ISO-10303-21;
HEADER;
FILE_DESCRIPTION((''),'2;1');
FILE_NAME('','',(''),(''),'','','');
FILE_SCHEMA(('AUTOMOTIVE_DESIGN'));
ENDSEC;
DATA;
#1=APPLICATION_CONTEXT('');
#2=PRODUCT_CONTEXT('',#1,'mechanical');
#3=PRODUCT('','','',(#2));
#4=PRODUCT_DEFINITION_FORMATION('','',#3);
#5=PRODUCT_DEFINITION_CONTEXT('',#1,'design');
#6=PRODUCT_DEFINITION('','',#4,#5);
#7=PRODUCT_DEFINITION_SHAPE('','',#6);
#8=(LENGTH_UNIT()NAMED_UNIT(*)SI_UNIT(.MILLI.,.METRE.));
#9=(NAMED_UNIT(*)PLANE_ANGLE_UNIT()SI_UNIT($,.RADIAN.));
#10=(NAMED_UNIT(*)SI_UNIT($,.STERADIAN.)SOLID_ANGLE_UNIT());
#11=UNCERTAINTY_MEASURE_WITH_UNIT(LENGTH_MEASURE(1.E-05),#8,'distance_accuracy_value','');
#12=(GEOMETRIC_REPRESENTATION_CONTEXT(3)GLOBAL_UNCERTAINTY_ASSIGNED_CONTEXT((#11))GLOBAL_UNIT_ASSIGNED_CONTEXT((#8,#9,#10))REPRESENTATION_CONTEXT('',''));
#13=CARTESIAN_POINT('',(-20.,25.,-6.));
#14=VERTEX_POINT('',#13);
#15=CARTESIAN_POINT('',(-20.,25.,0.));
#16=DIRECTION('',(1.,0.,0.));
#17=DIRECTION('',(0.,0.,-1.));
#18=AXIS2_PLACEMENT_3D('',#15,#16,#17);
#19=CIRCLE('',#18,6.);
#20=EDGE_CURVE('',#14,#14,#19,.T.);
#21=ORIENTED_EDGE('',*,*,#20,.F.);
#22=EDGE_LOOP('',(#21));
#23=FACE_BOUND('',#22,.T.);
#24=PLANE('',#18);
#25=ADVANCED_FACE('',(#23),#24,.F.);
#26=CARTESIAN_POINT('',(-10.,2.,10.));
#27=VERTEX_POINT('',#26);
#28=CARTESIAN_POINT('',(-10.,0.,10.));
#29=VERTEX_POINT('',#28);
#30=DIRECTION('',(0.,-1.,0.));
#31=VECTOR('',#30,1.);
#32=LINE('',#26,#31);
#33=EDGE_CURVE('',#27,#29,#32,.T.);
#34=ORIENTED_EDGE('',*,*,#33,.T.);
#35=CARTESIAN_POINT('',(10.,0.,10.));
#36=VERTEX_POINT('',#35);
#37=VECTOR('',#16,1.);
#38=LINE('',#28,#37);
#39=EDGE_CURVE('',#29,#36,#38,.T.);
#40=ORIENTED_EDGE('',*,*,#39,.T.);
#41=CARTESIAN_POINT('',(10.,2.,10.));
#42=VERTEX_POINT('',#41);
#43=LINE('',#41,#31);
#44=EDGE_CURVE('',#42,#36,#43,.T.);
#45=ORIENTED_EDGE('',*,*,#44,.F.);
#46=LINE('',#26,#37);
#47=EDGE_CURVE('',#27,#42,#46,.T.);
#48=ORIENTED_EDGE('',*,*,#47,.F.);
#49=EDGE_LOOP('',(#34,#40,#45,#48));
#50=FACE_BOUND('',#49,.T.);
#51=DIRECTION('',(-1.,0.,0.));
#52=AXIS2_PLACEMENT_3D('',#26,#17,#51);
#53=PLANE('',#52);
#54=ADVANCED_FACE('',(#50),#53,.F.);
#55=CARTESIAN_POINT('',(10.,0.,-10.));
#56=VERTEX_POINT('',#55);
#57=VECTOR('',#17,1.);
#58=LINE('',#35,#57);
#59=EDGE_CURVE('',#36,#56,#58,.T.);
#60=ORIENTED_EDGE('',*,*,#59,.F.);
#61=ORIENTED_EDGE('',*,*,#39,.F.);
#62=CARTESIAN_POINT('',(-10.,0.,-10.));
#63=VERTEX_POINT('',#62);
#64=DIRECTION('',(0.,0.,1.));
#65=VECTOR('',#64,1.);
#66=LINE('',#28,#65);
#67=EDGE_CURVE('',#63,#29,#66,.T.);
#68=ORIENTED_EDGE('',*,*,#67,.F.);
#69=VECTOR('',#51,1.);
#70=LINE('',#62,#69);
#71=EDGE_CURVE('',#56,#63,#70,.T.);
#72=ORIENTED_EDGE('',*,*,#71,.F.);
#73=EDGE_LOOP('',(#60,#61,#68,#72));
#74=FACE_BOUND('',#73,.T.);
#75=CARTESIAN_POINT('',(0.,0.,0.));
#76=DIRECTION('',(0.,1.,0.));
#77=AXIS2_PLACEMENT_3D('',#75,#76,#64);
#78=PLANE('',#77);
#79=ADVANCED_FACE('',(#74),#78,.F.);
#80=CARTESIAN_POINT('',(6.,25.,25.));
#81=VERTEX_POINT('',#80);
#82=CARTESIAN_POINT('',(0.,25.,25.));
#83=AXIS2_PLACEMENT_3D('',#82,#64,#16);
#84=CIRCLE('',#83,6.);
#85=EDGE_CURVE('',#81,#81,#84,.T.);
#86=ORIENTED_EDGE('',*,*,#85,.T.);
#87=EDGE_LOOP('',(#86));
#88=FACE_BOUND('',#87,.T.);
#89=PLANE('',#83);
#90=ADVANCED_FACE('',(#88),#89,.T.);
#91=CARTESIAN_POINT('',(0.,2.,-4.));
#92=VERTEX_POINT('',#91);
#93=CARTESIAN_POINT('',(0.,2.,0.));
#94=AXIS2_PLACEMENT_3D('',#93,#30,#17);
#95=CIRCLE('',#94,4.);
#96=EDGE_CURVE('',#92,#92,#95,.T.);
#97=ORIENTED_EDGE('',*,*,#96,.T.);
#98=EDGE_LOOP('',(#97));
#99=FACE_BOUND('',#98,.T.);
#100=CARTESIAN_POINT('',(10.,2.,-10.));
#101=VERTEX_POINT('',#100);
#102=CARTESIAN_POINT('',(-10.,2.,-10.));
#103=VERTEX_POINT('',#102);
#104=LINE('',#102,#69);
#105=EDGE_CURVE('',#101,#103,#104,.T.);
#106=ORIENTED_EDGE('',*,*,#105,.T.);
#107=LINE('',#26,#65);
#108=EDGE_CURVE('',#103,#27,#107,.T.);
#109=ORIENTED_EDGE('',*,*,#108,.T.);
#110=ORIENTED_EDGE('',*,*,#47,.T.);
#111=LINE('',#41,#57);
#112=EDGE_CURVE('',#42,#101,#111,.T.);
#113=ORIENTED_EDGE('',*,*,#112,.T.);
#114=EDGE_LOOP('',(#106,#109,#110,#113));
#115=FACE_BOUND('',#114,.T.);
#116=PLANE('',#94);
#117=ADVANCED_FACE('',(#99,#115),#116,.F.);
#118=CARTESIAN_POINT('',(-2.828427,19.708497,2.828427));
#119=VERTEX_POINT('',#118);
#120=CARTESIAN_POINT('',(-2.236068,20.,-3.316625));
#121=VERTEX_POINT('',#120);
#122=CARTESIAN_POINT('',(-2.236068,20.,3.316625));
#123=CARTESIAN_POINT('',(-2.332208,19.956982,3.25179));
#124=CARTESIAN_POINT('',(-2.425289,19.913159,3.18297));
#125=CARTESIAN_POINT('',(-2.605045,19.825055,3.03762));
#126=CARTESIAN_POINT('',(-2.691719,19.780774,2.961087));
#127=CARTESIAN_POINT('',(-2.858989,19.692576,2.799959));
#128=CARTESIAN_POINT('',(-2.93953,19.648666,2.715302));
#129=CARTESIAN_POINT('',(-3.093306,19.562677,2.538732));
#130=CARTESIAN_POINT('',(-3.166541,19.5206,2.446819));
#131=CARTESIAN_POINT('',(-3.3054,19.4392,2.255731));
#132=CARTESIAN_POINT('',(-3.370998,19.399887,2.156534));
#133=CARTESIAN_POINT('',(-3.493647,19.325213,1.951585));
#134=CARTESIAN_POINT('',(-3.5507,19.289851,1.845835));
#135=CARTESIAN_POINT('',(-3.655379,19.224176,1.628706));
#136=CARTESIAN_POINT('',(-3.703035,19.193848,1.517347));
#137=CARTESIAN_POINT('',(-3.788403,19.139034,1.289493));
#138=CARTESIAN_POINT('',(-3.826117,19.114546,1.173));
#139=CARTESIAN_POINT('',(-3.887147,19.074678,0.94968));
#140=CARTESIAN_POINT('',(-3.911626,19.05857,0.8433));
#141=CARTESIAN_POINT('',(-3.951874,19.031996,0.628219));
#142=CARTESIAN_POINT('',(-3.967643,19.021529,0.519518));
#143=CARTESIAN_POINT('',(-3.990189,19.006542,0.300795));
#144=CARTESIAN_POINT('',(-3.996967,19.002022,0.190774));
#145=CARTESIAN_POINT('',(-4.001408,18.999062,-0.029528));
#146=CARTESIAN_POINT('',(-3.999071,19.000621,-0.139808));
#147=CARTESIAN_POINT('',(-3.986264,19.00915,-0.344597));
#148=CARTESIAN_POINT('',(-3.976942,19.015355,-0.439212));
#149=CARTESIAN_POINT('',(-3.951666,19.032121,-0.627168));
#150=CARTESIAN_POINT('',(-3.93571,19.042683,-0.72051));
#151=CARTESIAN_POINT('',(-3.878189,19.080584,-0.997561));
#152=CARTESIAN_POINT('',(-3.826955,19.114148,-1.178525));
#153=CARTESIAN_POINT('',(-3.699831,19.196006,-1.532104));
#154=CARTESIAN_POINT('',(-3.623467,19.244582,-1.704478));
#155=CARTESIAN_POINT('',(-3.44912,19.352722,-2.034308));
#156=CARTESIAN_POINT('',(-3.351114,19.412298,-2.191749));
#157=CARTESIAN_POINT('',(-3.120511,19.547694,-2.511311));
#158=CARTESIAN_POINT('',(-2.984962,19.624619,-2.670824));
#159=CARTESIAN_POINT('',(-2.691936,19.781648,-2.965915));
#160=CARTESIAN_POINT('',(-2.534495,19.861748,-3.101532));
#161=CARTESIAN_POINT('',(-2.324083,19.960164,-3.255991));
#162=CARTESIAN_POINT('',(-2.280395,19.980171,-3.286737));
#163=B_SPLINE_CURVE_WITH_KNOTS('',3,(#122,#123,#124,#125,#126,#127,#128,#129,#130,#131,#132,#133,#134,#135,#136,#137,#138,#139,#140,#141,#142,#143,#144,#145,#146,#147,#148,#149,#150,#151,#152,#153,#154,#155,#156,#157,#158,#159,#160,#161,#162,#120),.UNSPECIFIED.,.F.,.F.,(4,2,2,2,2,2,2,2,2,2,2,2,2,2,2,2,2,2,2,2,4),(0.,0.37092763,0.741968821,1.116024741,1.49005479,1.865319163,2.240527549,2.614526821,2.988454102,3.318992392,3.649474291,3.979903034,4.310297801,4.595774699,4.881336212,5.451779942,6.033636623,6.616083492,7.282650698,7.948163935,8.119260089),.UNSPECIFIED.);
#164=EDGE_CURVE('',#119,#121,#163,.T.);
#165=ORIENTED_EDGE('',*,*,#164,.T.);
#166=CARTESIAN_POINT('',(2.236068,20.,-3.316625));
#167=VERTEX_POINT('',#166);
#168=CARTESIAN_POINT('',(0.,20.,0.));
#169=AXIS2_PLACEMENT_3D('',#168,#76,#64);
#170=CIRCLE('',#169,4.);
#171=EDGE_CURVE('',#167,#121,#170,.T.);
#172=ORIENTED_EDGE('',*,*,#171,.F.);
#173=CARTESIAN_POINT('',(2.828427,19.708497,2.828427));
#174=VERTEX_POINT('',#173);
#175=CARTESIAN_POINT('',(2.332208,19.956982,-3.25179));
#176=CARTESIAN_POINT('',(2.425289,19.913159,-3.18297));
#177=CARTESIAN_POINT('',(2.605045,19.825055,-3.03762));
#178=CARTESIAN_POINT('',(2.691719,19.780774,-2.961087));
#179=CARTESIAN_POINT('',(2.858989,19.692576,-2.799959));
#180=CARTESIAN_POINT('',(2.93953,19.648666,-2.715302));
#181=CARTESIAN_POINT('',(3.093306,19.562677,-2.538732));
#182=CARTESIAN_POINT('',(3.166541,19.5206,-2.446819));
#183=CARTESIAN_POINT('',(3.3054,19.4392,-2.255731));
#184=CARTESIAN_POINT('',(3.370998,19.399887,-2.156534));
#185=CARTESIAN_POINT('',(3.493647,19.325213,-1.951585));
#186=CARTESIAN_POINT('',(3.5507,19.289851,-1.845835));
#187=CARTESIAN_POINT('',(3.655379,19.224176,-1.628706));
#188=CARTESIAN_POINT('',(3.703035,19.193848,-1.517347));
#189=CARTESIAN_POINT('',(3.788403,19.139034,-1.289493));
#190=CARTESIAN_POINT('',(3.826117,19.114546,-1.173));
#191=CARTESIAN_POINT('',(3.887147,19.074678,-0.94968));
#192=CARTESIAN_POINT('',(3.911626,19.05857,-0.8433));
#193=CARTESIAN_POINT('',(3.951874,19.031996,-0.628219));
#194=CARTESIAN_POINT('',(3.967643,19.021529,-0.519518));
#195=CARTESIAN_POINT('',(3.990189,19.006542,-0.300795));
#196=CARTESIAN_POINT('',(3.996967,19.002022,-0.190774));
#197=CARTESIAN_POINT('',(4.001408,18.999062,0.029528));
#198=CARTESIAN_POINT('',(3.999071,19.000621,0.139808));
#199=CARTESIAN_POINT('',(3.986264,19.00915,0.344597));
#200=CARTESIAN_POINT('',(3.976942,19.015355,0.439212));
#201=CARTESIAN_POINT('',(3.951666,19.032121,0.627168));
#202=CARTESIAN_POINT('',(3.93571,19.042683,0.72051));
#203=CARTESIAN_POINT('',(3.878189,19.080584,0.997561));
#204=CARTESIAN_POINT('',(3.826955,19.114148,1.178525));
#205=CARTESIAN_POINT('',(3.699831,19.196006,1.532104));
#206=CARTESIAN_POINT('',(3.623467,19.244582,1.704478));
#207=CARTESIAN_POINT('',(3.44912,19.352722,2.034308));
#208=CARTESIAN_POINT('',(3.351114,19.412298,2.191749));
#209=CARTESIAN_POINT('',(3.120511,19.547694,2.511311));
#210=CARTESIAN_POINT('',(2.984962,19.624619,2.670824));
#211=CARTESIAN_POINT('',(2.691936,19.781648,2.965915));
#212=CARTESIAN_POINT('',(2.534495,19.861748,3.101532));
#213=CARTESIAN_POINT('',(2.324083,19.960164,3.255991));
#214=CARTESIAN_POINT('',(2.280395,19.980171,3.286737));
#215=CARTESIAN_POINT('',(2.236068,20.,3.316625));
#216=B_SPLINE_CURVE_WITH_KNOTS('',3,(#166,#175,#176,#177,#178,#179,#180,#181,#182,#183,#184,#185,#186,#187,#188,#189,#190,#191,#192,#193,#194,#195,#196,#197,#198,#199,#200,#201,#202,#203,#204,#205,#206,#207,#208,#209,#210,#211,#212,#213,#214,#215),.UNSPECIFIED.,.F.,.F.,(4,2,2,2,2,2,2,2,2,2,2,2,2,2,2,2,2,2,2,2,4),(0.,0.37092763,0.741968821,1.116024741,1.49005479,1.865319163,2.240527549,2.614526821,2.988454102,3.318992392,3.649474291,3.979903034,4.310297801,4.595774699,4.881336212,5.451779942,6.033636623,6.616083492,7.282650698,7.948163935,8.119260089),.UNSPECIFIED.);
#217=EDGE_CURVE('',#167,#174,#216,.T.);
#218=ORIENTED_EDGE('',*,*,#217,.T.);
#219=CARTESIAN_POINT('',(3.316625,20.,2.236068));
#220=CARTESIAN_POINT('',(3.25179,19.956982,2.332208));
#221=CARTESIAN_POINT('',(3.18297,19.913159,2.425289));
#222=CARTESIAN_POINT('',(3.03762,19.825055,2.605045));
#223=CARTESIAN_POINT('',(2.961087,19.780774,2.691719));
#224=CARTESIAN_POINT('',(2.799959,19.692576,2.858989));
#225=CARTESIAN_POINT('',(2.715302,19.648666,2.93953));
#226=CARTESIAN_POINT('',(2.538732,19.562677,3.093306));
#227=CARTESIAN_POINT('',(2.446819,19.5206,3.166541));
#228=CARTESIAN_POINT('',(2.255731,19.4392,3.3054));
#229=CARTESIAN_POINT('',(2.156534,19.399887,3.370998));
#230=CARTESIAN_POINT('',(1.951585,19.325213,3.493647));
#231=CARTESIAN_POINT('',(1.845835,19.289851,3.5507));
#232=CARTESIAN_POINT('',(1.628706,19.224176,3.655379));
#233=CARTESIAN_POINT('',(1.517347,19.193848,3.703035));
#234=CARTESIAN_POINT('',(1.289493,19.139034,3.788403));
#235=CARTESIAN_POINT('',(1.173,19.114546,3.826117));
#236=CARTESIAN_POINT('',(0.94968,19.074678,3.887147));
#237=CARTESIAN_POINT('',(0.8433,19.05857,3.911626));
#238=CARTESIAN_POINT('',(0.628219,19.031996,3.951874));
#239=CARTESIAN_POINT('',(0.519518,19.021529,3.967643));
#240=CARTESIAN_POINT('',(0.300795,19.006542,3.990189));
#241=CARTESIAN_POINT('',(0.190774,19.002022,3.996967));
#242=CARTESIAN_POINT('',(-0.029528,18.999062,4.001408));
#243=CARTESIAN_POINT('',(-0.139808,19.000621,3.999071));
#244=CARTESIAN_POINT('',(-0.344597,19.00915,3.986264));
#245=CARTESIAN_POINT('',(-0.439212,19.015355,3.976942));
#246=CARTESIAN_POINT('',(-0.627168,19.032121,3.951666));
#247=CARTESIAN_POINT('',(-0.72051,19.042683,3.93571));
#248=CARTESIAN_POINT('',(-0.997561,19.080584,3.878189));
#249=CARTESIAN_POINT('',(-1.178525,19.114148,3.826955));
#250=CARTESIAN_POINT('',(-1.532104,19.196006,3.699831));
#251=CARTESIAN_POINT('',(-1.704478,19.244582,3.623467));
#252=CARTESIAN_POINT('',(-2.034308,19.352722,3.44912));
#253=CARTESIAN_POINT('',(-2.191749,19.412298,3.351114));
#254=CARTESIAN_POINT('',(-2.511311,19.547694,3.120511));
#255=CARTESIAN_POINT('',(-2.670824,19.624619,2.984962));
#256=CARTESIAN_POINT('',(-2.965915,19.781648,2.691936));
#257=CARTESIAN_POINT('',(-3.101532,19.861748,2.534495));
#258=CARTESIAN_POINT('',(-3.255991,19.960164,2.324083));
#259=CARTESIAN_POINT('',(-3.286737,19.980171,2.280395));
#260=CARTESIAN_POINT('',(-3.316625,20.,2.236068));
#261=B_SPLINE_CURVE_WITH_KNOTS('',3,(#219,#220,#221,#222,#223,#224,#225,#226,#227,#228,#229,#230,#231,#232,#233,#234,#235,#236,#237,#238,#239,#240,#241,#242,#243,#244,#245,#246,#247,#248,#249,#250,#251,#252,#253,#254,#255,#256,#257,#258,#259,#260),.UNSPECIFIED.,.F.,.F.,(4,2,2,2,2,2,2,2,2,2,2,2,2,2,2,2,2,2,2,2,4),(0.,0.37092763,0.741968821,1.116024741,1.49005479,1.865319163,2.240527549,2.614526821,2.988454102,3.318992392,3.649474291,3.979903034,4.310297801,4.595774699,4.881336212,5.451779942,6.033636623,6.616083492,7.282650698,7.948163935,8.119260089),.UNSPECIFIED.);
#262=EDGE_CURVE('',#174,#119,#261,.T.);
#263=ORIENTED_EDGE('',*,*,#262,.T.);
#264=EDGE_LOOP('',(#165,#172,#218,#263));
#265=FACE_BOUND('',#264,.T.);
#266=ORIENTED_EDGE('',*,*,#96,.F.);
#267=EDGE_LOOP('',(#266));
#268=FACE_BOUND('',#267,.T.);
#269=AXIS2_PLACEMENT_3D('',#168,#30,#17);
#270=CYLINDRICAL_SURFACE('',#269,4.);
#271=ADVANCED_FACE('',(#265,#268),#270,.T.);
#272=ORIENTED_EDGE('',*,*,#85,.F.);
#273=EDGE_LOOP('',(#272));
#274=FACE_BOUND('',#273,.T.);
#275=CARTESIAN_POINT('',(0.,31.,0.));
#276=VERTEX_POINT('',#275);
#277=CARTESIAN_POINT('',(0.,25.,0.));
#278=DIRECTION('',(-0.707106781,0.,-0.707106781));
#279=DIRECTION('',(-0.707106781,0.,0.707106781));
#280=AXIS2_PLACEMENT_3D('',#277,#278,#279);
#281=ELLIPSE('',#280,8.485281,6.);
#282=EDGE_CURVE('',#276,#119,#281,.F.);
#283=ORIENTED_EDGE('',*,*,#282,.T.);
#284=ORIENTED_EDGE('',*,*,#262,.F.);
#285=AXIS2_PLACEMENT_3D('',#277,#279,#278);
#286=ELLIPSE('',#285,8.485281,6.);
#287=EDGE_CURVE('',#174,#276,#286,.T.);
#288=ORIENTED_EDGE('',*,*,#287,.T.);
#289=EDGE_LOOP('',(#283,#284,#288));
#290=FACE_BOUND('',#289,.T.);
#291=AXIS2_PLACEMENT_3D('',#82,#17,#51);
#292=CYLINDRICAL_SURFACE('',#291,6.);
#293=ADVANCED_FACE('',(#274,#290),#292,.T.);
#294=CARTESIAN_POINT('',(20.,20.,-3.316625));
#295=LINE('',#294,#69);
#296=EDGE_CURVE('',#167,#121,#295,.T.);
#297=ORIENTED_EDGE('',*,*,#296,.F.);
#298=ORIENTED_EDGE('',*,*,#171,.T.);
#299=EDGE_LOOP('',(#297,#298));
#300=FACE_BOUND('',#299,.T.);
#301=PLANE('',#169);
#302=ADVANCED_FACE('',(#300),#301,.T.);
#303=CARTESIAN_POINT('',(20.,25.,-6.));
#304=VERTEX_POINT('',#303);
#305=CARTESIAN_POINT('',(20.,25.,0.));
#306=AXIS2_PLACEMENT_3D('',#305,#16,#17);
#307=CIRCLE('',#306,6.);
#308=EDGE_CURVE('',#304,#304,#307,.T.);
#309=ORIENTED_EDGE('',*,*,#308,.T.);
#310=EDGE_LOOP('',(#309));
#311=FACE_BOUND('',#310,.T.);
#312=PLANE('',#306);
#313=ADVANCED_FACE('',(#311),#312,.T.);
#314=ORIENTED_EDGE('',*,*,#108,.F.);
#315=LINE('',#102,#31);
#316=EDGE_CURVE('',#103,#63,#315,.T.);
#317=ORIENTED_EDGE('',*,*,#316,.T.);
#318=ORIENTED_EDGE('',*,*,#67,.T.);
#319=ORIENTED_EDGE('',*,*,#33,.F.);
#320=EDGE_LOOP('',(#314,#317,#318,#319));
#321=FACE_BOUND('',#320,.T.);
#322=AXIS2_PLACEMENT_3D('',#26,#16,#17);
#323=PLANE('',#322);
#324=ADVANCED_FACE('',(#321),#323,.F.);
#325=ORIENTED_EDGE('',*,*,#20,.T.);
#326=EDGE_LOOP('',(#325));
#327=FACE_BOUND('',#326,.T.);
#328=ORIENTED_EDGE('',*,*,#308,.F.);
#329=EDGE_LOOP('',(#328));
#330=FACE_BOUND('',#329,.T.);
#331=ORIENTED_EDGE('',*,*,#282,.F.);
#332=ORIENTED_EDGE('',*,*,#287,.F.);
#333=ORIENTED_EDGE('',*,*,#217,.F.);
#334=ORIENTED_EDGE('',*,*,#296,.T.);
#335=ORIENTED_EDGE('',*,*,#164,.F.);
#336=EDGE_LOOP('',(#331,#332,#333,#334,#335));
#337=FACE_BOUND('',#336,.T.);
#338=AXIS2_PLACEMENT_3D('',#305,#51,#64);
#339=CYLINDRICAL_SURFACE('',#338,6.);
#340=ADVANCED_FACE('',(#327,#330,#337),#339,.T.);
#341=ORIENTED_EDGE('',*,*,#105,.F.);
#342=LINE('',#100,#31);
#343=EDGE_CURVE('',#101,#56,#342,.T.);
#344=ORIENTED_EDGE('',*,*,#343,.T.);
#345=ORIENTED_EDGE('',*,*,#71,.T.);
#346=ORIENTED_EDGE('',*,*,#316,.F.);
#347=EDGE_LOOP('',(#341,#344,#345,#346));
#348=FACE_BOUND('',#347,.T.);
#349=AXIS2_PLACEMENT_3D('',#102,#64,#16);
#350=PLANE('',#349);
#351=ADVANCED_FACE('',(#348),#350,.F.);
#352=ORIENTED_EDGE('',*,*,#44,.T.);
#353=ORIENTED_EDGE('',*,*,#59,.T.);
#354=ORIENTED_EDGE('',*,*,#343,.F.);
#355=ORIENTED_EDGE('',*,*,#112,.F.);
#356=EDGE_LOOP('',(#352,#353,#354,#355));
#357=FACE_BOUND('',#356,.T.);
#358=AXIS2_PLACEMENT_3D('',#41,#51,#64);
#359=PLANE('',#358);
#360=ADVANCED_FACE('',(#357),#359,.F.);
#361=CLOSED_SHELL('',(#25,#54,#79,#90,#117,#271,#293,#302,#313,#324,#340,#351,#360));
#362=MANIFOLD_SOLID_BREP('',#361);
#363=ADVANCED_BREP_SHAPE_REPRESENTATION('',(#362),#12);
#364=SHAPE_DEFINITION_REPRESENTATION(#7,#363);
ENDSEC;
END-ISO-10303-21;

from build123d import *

# Parameters (mm, degrees)
RUN_START          = -20
SKETCH1_R          = 6
RUN_DEPTH          = 40
SKETCH2_R          = 6
BRANCH_DEPTH       = 25
SKETCH3_R          = 4
SUPPORT_POST_DEPTH = 20
SKETCH4_W          = 20
SKETCH4_H          = 20
SUPPORT_FOOT_DEPTH = 2


with BuildPart() as part:
    # Sketch1 → Run (new body)
    with BuildSketch(Plane(origin=(0, 0, 0), x_dir=(0, 0, -1), z_dir=(1, 0, 0)).offset(RUN_START)):
        with Locations((0, 25)):
            Circle(SKETCH1_R)
    extrude(amount=RUN_DEPTH)

    # Sketch2 → Branch (add)
    with BuildSketch(Plane.XY):
        with Locations(Location((0, 25, 0), (0, 0, 90))):
            Circle(SKETCH2_R)
    extrude(amount=BRANCH_DEPTH)

    # Sketch3 → Support_Post (add)
    with BuildSketch(Plane(origin=(0, 0, 0), x_dir=(1, 0, 0), z_dir=(0, 1, 0))):
        with Locations(Location((0, 0, 0), (0, 0, 123.987843581))):
            Circle(SKETCH3_R)
    extrude(amount=SUPPORT_POST_DEPTH)

    # Sketch4 → Support_Foot (add)
    with BuildSketch(Plane(origin=(0, 0, 0), x_dir=(1, 0, 0), z_dir=(0, 1, 0))):
        Rectangle(SKETCH4_W, SKETCH4_H)
    extrude(amount=SUPPORT_FOOT_DEPTH)


solid = part.part
